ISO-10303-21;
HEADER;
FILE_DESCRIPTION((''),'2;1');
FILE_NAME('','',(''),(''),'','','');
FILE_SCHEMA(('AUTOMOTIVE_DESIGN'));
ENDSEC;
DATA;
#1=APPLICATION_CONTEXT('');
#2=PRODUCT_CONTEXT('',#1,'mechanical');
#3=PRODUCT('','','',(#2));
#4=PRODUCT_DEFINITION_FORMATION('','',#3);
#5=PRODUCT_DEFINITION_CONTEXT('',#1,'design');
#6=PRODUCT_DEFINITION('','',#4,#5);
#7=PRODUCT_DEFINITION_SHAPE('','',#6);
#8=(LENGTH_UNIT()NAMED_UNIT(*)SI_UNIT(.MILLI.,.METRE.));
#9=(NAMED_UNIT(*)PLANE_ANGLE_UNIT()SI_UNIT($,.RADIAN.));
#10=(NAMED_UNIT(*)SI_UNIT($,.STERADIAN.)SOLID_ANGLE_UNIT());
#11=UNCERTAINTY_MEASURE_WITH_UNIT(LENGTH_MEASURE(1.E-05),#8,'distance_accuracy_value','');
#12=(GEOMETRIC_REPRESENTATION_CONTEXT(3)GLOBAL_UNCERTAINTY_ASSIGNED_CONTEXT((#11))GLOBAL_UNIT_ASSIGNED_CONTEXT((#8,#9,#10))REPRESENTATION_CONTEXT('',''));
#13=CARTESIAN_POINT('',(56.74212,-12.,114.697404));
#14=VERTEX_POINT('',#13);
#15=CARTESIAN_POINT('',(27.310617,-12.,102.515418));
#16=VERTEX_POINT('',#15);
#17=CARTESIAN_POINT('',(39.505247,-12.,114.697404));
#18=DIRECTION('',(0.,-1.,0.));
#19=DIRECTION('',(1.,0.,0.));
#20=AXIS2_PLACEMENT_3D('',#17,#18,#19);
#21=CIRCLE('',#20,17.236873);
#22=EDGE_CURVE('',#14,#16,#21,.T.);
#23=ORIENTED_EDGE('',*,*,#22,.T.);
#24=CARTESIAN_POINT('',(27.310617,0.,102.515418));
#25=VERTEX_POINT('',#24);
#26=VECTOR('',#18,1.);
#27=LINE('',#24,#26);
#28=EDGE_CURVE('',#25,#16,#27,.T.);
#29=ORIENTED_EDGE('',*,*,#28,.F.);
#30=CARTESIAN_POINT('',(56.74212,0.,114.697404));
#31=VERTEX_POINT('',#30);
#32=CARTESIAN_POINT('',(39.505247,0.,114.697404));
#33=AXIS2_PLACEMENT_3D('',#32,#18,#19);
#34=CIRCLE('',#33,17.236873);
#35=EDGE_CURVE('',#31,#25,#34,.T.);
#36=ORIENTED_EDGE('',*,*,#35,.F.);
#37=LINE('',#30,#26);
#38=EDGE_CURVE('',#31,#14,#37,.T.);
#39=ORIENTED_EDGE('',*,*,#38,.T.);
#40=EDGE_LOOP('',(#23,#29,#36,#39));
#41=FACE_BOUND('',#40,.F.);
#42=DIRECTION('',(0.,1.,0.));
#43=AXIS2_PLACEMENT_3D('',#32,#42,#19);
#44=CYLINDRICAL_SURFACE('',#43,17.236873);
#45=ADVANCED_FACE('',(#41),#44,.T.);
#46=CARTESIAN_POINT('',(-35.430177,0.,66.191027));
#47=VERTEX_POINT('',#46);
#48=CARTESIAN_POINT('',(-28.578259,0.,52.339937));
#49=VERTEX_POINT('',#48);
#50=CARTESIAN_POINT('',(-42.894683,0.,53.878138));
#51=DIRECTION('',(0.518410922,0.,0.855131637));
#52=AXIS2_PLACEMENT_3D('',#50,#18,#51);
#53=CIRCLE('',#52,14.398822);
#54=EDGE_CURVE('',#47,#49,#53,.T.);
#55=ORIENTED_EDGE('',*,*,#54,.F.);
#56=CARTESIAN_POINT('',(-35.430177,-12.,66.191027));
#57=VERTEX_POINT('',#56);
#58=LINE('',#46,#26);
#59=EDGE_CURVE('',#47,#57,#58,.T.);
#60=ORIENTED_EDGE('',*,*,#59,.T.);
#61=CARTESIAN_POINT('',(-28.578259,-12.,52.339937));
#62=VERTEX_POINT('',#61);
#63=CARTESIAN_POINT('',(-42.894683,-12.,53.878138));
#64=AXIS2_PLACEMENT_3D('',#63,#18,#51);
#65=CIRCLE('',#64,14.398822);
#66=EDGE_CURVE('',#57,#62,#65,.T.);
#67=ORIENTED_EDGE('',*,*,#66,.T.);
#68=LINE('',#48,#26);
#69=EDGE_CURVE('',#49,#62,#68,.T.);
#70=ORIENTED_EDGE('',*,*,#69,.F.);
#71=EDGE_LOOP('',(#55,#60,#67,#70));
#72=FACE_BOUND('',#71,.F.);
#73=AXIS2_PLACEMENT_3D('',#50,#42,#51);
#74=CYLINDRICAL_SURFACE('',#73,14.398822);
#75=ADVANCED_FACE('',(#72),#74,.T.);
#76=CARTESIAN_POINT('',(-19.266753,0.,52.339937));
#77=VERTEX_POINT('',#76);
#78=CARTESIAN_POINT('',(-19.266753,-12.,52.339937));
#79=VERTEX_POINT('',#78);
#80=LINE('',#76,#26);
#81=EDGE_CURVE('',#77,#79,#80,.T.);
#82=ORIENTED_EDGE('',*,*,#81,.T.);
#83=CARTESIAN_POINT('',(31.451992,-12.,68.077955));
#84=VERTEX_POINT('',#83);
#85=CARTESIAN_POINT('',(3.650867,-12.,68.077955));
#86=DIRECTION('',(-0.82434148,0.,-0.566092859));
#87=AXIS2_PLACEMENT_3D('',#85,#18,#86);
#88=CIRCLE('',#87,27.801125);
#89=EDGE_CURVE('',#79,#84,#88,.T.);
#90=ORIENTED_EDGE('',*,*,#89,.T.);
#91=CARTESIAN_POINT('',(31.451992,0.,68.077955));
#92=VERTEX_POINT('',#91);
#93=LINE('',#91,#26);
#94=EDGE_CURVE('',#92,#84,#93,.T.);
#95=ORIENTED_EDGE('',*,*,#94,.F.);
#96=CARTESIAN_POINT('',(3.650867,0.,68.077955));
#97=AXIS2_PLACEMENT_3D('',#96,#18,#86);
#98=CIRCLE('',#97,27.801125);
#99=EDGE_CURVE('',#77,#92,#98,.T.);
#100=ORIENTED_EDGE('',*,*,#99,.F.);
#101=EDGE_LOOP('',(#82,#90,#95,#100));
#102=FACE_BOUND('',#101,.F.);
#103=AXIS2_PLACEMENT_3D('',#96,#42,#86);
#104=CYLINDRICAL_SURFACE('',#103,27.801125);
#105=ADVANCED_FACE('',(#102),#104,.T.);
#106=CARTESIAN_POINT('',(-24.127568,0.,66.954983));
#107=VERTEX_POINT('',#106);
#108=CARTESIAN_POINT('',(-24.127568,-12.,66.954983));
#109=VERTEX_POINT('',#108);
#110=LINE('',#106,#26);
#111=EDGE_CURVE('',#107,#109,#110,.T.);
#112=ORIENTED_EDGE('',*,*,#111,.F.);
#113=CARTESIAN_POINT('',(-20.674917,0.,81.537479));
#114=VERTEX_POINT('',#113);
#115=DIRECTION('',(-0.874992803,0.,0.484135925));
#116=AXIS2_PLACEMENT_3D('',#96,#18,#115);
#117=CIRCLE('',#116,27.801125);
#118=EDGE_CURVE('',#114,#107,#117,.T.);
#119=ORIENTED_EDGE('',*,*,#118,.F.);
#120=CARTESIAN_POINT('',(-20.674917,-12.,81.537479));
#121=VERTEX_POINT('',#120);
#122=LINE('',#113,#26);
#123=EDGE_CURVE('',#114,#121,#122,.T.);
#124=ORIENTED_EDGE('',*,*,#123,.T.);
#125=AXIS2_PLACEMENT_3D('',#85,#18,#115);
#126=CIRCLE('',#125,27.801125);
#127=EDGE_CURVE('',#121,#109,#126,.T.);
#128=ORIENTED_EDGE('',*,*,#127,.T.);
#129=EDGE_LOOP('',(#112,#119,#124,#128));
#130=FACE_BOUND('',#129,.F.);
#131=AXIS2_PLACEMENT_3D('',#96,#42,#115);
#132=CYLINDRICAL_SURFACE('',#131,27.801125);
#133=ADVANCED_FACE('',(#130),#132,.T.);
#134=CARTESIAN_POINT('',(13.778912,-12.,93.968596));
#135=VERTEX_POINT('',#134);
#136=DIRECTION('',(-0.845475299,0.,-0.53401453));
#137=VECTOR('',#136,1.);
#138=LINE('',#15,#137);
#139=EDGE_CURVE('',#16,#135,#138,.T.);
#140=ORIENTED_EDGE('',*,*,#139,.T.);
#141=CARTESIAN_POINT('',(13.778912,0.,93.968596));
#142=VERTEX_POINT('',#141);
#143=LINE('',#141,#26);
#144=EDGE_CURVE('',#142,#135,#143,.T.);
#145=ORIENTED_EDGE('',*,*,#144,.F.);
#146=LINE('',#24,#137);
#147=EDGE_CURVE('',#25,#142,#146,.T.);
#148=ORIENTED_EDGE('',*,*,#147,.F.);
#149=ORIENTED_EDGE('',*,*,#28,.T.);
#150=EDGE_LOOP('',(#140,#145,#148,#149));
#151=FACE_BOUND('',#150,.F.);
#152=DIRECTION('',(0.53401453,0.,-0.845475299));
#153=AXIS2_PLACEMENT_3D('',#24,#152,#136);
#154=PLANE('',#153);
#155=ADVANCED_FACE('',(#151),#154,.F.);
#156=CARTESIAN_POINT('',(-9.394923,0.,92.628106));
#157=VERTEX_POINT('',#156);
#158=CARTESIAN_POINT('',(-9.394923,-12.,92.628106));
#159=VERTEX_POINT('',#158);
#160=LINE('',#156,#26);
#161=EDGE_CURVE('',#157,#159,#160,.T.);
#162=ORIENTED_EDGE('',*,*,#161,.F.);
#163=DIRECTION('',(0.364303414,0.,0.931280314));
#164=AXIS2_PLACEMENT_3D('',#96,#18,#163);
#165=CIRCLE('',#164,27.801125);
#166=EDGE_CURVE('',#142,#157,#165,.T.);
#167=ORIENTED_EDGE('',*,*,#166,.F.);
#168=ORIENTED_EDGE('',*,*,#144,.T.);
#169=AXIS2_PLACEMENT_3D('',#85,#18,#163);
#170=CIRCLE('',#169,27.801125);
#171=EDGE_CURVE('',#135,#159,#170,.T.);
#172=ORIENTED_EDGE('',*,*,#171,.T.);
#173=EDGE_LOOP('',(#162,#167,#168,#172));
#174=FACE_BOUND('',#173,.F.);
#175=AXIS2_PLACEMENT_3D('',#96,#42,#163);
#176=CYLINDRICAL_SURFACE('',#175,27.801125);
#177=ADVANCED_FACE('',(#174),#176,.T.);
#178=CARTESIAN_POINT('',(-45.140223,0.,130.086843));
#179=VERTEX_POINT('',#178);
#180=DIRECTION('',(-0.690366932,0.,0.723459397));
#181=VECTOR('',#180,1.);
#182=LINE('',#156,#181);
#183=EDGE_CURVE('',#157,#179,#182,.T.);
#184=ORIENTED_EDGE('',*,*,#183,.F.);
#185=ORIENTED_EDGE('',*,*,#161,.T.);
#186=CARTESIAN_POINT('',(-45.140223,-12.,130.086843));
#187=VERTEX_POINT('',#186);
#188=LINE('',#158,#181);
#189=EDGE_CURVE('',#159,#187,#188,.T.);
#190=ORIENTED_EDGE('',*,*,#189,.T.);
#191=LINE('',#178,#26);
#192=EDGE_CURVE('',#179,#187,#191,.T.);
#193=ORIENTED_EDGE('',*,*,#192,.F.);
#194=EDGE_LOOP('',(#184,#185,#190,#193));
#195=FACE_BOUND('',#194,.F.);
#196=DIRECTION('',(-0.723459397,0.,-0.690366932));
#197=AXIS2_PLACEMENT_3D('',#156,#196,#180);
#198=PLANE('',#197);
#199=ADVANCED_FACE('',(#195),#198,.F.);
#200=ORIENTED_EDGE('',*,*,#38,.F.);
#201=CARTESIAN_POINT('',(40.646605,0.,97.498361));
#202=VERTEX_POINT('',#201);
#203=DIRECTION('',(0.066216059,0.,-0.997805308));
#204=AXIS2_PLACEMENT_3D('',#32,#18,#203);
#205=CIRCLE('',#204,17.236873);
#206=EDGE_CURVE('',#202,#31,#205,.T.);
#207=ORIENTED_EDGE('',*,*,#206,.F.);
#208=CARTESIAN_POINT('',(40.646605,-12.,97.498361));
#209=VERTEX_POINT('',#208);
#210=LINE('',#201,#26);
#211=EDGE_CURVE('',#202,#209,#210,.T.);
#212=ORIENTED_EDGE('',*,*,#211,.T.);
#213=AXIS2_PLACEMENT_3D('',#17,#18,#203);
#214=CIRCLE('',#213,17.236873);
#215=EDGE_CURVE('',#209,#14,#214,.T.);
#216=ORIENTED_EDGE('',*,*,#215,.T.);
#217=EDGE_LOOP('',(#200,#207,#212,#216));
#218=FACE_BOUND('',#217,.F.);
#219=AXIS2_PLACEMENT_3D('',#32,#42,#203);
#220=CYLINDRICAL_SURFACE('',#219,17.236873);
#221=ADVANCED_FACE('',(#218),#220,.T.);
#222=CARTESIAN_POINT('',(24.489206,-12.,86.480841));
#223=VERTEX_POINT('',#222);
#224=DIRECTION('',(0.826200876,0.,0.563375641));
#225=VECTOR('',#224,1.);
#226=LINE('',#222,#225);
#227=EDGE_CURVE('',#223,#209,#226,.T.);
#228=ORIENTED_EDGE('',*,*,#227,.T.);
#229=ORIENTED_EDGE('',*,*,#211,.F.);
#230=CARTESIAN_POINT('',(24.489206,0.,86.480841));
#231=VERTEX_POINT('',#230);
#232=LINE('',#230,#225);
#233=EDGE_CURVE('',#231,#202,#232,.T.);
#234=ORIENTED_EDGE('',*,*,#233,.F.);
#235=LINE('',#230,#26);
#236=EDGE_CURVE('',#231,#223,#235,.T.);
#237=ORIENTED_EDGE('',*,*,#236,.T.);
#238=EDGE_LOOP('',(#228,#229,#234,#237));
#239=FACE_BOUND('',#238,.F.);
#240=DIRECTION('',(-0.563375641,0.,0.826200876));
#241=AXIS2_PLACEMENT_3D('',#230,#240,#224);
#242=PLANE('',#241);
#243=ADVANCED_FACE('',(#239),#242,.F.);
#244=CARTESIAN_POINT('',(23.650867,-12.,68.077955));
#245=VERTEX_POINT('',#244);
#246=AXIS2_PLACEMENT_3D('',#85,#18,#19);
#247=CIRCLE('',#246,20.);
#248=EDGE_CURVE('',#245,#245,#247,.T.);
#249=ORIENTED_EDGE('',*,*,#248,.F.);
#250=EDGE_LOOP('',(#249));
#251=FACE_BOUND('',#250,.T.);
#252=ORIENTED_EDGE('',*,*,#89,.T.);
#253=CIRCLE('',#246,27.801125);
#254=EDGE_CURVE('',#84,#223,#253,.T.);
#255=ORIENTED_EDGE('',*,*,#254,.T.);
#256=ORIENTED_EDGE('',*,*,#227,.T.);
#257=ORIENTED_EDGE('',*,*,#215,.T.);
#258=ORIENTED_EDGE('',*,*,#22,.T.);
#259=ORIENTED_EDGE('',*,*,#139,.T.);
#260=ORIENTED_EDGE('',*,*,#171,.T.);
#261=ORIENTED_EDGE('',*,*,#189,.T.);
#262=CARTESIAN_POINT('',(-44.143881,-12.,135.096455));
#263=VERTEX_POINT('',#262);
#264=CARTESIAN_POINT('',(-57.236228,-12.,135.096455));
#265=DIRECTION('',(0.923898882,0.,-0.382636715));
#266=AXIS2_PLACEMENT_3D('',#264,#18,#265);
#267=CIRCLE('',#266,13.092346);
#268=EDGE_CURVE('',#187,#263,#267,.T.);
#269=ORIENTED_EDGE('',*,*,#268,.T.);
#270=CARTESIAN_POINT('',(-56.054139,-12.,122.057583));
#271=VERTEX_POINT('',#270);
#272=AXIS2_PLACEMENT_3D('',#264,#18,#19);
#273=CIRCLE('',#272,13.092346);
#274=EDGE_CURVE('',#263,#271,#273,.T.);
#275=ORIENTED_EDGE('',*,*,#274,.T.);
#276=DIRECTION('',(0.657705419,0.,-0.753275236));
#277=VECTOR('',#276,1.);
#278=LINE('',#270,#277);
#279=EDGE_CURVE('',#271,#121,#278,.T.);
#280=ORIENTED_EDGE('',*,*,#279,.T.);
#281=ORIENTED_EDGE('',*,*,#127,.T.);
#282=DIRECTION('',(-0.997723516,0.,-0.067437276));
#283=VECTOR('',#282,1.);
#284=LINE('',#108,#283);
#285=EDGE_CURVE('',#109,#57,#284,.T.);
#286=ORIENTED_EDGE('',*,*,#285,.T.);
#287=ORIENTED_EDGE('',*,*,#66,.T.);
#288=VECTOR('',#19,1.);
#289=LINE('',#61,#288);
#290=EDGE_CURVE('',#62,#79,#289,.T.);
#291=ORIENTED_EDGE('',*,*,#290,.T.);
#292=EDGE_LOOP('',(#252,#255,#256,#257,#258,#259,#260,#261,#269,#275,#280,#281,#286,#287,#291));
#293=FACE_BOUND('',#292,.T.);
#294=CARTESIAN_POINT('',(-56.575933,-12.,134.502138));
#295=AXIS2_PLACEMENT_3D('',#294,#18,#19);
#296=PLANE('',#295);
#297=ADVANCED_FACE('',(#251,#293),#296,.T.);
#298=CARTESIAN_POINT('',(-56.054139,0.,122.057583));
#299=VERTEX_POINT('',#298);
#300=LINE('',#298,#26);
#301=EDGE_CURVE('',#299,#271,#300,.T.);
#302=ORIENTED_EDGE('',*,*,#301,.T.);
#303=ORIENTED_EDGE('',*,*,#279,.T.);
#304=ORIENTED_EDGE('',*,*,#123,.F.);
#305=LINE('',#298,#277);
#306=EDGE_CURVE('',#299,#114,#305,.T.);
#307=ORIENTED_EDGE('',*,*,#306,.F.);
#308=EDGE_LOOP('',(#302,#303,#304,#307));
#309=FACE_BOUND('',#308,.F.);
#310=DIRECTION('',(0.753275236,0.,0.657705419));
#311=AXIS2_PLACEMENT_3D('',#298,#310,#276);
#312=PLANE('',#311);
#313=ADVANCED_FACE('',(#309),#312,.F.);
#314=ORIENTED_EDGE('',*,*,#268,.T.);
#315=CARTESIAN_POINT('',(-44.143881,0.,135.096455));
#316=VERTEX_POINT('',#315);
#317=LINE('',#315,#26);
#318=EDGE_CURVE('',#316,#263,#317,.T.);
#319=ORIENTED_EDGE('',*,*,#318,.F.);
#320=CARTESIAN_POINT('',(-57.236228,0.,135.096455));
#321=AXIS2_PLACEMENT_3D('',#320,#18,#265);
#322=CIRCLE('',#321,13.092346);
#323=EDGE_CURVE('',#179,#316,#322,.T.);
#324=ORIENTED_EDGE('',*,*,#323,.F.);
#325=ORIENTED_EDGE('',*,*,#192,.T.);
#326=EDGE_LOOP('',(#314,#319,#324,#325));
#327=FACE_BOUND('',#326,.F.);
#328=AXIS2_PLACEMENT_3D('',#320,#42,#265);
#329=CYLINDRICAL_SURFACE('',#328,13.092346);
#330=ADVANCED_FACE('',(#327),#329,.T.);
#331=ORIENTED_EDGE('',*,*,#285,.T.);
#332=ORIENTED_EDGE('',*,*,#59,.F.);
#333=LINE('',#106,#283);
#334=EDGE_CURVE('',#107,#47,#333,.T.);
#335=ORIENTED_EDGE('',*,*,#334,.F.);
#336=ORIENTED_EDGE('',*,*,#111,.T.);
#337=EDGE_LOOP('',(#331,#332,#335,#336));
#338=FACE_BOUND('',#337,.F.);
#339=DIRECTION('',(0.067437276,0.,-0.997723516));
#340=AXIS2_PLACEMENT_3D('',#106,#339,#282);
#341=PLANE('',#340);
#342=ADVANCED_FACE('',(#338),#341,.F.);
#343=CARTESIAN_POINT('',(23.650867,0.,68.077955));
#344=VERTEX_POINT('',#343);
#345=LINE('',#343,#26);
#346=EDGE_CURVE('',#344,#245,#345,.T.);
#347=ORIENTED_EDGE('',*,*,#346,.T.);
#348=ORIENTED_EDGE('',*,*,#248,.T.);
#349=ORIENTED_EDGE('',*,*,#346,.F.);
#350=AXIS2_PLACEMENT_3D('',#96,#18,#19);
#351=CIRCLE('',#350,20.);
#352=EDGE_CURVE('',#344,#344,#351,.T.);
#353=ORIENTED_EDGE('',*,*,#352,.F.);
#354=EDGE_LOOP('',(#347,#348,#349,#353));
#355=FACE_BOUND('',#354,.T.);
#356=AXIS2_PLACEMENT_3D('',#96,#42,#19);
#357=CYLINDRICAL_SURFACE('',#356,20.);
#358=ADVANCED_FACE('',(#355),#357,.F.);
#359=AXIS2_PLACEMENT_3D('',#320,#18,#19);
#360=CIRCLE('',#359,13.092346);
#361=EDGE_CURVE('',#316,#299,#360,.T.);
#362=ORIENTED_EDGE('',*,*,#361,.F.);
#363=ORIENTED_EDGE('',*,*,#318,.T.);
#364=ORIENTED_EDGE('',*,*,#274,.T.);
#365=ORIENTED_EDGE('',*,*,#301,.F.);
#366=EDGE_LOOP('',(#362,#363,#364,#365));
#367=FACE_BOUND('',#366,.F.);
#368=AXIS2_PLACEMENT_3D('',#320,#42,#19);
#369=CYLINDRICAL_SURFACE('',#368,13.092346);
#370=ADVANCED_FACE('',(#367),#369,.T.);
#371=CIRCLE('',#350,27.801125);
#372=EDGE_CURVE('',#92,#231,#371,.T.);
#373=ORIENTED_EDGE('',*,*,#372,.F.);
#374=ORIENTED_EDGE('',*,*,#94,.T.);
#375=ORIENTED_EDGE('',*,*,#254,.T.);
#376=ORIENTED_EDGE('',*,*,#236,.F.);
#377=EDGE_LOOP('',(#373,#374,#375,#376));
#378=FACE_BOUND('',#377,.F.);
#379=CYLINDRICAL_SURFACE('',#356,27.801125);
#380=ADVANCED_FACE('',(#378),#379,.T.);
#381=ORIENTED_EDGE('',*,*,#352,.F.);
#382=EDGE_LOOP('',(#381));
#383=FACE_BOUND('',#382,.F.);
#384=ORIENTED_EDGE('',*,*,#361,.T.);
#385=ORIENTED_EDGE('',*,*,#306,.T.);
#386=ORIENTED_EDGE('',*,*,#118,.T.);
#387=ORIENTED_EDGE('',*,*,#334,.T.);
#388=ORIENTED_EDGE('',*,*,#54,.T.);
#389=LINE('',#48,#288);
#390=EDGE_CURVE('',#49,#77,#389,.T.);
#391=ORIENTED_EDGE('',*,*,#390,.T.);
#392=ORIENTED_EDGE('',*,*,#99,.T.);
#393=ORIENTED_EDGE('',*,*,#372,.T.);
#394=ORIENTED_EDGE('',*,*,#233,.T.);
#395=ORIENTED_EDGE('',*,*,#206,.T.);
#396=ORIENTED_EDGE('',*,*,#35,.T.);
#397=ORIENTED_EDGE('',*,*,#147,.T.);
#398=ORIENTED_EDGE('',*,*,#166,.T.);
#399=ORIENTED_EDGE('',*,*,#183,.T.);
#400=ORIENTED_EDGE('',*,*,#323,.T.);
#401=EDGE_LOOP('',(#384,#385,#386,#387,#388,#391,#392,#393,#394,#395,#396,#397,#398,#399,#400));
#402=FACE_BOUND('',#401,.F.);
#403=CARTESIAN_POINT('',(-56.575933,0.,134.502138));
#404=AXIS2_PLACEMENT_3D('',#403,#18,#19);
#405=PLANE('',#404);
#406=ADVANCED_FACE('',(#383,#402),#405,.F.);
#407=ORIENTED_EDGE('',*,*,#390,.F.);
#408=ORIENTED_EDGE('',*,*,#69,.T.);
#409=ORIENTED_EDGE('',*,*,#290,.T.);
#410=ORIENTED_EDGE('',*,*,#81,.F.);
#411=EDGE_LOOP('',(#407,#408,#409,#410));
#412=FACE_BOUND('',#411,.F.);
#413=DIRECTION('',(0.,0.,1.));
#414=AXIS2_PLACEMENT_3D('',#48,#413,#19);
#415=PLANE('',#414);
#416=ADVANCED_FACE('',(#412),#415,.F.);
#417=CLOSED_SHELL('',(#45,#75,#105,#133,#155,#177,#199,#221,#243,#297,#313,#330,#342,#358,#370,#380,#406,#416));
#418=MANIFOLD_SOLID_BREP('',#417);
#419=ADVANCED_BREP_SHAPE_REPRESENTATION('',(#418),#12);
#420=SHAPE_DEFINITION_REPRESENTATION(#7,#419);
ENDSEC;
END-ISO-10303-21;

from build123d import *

# Parameters (mm, degrees)
F0_R     = 20
F1_DEPTH = 12


with BuildPart() as f1:
    # F0 (on Front) → F1 (new body)
    with BuildSketch(Plane.XZ):
        with BuildLine():
            ThreePointArc((-45.1402234044, 130.0868427911), (-44.3953824054, 132.5425897679), (-44.1438812161, 135.0964551676))
            ThreePointArc((-44.1438812161, 135.0964551676), (-66.902815449, 143.9263254526), (-56.0541389315, 122.0575825878))
            ThreePointArc((-56.0541389315, 122.0575825878), (-49.477735957, 124.5505867663), (-45.1402234044, 130.0868427911))
        make_face()
        with BuildLine():
            ThreePointArc((-45.1402234044, 130.0868427911), (-49.477735957, 124.5505867663), (-56.0541389315, 122.0575825878))
            Line((-56.0541389315, 122.0575825878), (-20.6749169362, 81.5374788645))
            ThreePointArc((-20.6749169362, 81.5374788645), (-15.8403911831, 87.9020164198), (-9.3949234629, 92.6281060737))
            Line((-9.3949234629, 92.6281060737), (-45.1402234044, 130.0868427911))
        make_face()
        with BuildLine():
            ThreePointArc((-9.3949234629, 92.6281060737), (-15.8403911831, 87.9020164198), (-20.6749169362, 81.5374788645))
            ThreePointArc((-20.6749169362, 81.5374788645), (-23.4023159827, 74.4832519056), (-24.1275682376, 66.9549830001))
            ThreePointArc((-24.1275682376, 66.9549830001), (-22.7294741415, 59.3041231282), (-19.2667531461, 52.3399370889))
            ThreePointArc((-19.2667531461, 52.3399370889), (11.8900093443, 41.5257597874), (31.4519924852, 68.0779554628))
            ThreePointArc((31.4519924852, 68.0779554628), (29.653096416, 77.915975697), (24.4892064897, 86.4808405543))
            ThreePointArc((24.4892064897, 86.4808405543), (19.5802695472, 90.8629659463), (13.7789121862, 93.968595935))
            ThreePointArc((13.7789121862, 93.968595935), (2.0453958796, 95.8326850768), (-9.3949234629, 92.6281060737))
        make_face()
        with Locations((3.6508674214, 68.0779554628)):
            Circle(F0_R, mode=Mode.SUBTRACT)
        with BuildLine():
            ThreePointArc((-19.2667531461, 52.3399370889), (-22.7294741415, 59.3041231282), (-24.1275682376, 66.9549830001))
            Line((-24.1275682376, 66.9549830001), (-35.430176559, 66.1910267504))
            ThreePointArc((-35.430176559, 66.1910267504), (-32.4777200289, 63.8186090674), (-30.2460369862, 60.7583875033))
            ThreePointArc((-30.2460369862, 60.7583875033), (-28.9402630028, 57.4278194818), (-28.4958610621, 53.8781383755))
            ThreePointArc((-28.4958610621, 53.8781383755), (-28.5164751814, 53.1079350682), (-28.5782585148, 52.3399370889))
            Line((-28.5782585148, 52.3399370889), (-19.2667531461, 52.3399370889))
        make_face()
        with BuildLine():
            Line((27.3106167301, 102.5154178797), (13.7789121862, 93.968595935))
            ThreePointArc((13.7789121862, 93.968595935), (19.5802695472, 90.8629659463), (24.4892064897, 86.4808405543))
            Line((24.4892064897, 86.4808405543), (40.6466048753, 97.4983605522))
            ThreePointArc((40.6466048753, 97.4983605522), (33.435945257, 98.5644139139), (27.3106167301, 102.5154178797))
        make_face()
        with BuildLine():
            Line((-30.2460369862, 60.7583875033), (-35.430176559, 66.1910267504))
            ThreePointArc((-35.430176559, 66.1910267504), (-55.8007056513, 47.4937303618), (-28.5782585148, 52.3399370889))
            ThreePointArc((-28.5782585148, 52.3399370889), (-28.5164751814, 53.1079350682), (-28.4958610621, 53.8781383755))
            ThreePointArc((-28.4958610621, 53.8781383755), (-28.9402630028, 57.4278194818), (-30.2460369862, 60.7583875033))
        make_face()
        with BuildLine():
            ThreePointArc((-30.2460369862, 60.7583875033), (-32.4777200289, 63.8186090674), (-35.430176559, 66.1910267504))
            Line((-35.430176559, 66.1910267504), (-30.2460369862, 60.7583875033))
        make_face()
        with BuildLine():
            ThreePointArc((56.7421202866, 114.697404157), (32.9131115376, 130.6239087268), (27.3106167301, 102.5154178797))
            ThreePointArc((27.3106167301, 102.5154178797), (33.435945257, 98.5644139139), (40.6466048753, 97.4983605522))
            ThreePointArc((40.6466048753, 97.4983605522), (52.0906202883, 102.9195359578), (56.7421202866, 114.697404157))
        make_face()
    extrude(amount=F1_DEPTH)


solid = f1.part
